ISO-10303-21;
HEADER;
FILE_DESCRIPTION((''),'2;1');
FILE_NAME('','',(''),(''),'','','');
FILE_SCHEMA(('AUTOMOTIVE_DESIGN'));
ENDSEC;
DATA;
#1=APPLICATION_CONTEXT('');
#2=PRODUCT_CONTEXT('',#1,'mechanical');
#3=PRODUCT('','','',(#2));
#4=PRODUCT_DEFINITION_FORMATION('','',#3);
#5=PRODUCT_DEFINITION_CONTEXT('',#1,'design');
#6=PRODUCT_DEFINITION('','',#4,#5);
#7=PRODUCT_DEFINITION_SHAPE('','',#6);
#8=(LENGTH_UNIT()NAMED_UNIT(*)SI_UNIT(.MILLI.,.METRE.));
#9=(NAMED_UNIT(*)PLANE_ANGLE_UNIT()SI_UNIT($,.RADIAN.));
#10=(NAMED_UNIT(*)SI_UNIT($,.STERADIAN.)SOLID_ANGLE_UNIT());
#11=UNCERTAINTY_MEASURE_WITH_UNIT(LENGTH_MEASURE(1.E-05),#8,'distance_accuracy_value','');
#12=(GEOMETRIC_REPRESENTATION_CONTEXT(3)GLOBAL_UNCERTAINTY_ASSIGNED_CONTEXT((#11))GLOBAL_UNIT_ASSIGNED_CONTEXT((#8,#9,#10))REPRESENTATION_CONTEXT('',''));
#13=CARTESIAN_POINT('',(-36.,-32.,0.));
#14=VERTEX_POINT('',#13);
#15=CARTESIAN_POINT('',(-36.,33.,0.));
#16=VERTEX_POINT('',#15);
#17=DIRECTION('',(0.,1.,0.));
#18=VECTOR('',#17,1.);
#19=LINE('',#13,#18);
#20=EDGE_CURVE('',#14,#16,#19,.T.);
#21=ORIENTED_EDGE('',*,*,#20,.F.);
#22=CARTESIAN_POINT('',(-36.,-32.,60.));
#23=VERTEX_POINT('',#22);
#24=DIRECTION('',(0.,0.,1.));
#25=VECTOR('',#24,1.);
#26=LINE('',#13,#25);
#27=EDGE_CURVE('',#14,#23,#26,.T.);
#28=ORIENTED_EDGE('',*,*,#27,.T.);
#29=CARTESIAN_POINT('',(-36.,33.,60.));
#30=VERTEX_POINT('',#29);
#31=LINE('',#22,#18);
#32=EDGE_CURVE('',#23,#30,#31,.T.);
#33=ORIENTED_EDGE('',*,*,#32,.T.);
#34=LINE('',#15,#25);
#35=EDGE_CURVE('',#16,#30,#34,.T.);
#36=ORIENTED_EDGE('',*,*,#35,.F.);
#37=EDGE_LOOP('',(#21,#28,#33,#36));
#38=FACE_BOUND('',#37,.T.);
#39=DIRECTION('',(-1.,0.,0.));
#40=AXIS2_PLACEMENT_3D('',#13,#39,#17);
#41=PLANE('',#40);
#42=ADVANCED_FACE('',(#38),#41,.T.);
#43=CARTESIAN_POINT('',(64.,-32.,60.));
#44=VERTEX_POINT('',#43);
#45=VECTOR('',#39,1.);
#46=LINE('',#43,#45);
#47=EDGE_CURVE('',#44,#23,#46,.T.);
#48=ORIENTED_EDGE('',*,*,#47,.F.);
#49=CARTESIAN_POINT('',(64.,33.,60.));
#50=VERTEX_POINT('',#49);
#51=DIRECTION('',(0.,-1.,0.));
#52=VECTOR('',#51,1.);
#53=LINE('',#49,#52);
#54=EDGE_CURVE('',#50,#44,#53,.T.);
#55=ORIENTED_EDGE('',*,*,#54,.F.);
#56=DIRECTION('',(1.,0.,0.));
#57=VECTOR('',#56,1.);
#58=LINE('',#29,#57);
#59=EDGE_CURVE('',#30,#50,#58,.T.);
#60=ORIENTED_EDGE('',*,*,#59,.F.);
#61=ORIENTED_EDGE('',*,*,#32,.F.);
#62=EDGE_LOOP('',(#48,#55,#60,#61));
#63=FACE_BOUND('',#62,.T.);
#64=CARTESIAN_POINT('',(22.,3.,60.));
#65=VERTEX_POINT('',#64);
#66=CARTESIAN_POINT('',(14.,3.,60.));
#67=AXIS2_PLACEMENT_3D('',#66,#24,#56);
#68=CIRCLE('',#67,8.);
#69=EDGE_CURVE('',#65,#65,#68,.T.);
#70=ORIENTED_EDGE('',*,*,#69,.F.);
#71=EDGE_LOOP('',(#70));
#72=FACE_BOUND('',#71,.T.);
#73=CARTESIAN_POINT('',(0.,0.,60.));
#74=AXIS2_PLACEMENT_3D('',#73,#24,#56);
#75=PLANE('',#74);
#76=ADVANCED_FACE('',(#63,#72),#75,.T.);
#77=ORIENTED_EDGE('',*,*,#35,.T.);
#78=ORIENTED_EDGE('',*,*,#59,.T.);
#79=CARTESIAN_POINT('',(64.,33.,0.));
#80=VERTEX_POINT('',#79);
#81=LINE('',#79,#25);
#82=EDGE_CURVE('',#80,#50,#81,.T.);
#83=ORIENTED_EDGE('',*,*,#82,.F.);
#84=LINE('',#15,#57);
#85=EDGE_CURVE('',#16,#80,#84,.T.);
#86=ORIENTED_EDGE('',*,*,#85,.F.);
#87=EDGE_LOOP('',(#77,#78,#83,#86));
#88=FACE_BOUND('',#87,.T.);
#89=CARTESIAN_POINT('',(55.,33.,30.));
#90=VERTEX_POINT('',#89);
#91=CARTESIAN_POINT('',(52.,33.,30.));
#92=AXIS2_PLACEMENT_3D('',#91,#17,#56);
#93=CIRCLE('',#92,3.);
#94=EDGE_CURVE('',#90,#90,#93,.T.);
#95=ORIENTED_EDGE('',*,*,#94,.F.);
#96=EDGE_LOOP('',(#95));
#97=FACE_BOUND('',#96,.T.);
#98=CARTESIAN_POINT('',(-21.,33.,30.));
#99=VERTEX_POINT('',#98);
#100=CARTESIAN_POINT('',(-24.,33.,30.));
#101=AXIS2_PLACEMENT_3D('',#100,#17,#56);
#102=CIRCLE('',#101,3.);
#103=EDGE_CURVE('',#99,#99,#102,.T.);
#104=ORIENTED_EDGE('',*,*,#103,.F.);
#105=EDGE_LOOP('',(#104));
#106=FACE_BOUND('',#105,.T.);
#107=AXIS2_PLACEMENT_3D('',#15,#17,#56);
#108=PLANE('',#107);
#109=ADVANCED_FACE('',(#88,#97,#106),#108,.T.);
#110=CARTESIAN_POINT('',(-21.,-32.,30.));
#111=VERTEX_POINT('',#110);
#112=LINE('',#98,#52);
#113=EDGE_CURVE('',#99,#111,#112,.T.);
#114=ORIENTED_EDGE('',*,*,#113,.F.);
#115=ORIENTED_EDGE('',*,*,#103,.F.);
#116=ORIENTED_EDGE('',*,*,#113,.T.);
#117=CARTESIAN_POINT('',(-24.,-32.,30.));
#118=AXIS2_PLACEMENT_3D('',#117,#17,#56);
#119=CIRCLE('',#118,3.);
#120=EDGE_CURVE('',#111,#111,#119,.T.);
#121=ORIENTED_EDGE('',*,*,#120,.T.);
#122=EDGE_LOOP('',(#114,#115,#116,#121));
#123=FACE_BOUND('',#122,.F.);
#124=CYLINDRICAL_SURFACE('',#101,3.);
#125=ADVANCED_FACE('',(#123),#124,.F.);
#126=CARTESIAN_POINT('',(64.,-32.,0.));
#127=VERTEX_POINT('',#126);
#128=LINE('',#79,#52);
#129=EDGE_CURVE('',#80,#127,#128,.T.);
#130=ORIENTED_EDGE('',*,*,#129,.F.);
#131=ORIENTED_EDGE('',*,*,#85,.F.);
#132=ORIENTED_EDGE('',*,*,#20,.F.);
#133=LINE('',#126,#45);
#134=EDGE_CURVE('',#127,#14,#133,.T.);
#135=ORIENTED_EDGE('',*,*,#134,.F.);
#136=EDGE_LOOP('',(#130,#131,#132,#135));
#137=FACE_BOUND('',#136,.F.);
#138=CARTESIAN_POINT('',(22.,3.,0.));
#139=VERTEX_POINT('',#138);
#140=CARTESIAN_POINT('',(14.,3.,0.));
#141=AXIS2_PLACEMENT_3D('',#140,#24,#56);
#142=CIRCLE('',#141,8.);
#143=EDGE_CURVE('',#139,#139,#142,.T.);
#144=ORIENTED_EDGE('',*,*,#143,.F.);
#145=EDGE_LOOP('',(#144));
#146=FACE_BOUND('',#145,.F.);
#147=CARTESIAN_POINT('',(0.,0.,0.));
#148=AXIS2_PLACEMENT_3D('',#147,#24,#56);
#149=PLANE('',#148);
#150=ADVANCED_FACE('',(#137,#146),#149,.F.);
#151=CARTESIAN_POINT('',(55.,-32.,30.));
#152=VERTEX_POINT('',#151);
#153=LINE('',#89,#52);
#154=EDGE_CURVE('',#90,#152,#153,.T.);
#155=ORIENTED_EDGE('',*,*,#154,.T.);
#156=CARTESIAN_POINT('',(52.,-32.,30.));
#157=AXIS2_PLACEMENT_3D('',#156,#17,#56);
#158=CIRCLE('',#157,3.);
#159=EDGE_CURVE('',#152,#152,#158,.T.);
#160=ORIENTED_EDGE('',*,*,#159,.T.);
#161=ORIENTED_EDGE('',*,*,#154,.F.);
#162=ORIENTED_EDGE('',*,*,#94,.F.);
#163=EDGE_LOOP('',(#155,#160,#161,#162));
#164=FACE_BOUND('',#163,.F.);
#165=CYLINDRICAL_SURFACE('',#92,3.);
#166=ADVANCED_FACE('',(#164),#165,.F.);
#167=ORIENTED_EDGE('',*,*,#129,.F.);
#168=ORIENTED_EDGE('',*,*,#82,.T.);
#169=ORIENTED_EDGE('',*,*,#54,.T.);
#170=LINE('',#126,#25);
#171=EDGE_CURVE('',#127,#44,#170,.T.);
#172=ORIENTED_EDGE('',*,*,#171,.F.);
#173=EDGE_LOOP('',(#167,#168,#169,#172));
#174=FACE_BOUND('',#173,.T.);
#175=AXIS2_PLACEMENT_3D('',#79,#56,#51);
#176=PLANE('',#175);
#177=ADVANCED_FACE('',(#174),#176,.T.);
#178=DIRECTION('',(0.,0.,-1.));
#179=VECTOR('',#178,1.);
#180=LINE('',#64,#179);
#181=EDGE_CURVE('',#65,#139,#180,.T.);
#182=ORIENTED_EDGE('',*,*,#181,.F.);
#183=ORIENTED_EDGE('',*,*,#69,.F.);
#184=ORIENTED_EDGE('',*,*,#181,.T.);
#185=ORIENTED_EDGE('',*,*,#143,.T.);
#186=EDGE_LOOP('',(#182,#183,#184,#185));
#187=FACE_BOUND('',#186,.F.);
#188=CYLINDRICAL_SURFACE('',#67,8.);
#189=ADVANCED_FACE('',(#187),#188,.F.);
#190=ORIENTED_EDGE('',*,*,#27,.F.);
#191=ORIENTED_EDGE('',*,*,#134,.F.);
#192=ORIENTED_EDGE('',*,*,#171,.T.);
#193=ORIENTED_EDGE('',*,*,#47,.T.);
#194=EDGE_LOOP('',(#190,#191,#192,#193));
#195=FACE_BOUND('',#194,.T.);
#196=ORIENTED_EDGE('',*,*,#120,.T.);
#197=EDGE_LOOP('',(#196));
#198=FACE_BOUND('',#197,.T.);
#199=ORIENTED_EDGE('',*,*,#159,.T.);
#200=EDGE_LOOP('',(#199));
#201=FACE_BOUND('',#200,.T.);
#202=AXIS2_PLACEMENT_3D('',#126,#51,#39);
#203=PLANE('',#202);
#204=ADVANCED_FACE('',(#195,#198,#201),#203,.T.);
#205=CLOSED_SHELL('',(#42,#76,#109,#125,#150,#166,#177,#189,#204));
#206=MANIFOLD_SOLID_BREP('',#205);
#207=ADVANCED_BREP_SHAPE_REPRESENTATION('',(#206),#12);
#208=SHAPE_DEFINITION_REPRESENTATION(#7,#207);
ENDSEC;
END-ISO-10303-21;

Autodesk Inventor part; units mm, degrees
ref_plane "YZ Plane" through (0, 0, 0) normal (1, 0, 0) x (0, 1, 0)
ref_plane "XZ Plane" through (0, 0, 0) normal (0, 1, 0) x (-1, 0, 0)
ref_plane "XY Plane" through (0, 0, 0) normal (0, 0, 1) x (1, 0, 0)
sketch "Sketch1" plane through (0, 0, 0) normal (0, 0, 1) x (1, 0, 0)
  line L0 (-36, 33) -> (64, 33)
  line L1 (64, 33) -> (64, -32)
  line L2 (64, -32) -> (-36, -32)
  line L3 (-36, -32) -> (-36, 33)
  point P0 (0, 0)
  dimension "d0" = 100
  dimension "d1" = 65
extrude "Extrusion1" add sketch "Sketch1" along normal blind 60
sketch "Sketch2" plane through (0, 0, 60) normal (0, 0, 1) x (1, 0, 0)
  circle A0 centre (14, 3) radius 8
  line L0 (64, 33) -> (-36, 33) projected
  line L1 (64, -32) -> (64, 33) projected
  line L2 (-36, -32) -> (64, -32) projected
  point P0 (0, 0)
  dimension "d4" = 16
  dimension "d6" = 50
  dimension "d7" = 35
extrude "Extrusion2" cut sketch "Sketch2" against normal through all
sketch "Sketch3" plane through (-36, 33, 0) normal (0, 1, 0) x (1, 0, 0)
  circle A0 centre (12, -30) radius 3
  line L0 (100, 0) -> (0, 0) projected
  line L1 (0, 0) -> (0, -60) projected
  circle A1 centre (88, -30) radius 3
  line L2 (100, 0) -> (100, -60) projected
  point P0 (36, 0)
  dimension "d10" = 6
  dimension "d11" = 30
  dimension "d12" = 12
  dimension "d13" = 6
  dimension "d14" = 30
  dimension "d15" = 12
extrude "Extrusion3" cut sketch "Sketch3" against normal through all
properties part number "Pin Block" material "Brass, Soft Yellow, Welded"
